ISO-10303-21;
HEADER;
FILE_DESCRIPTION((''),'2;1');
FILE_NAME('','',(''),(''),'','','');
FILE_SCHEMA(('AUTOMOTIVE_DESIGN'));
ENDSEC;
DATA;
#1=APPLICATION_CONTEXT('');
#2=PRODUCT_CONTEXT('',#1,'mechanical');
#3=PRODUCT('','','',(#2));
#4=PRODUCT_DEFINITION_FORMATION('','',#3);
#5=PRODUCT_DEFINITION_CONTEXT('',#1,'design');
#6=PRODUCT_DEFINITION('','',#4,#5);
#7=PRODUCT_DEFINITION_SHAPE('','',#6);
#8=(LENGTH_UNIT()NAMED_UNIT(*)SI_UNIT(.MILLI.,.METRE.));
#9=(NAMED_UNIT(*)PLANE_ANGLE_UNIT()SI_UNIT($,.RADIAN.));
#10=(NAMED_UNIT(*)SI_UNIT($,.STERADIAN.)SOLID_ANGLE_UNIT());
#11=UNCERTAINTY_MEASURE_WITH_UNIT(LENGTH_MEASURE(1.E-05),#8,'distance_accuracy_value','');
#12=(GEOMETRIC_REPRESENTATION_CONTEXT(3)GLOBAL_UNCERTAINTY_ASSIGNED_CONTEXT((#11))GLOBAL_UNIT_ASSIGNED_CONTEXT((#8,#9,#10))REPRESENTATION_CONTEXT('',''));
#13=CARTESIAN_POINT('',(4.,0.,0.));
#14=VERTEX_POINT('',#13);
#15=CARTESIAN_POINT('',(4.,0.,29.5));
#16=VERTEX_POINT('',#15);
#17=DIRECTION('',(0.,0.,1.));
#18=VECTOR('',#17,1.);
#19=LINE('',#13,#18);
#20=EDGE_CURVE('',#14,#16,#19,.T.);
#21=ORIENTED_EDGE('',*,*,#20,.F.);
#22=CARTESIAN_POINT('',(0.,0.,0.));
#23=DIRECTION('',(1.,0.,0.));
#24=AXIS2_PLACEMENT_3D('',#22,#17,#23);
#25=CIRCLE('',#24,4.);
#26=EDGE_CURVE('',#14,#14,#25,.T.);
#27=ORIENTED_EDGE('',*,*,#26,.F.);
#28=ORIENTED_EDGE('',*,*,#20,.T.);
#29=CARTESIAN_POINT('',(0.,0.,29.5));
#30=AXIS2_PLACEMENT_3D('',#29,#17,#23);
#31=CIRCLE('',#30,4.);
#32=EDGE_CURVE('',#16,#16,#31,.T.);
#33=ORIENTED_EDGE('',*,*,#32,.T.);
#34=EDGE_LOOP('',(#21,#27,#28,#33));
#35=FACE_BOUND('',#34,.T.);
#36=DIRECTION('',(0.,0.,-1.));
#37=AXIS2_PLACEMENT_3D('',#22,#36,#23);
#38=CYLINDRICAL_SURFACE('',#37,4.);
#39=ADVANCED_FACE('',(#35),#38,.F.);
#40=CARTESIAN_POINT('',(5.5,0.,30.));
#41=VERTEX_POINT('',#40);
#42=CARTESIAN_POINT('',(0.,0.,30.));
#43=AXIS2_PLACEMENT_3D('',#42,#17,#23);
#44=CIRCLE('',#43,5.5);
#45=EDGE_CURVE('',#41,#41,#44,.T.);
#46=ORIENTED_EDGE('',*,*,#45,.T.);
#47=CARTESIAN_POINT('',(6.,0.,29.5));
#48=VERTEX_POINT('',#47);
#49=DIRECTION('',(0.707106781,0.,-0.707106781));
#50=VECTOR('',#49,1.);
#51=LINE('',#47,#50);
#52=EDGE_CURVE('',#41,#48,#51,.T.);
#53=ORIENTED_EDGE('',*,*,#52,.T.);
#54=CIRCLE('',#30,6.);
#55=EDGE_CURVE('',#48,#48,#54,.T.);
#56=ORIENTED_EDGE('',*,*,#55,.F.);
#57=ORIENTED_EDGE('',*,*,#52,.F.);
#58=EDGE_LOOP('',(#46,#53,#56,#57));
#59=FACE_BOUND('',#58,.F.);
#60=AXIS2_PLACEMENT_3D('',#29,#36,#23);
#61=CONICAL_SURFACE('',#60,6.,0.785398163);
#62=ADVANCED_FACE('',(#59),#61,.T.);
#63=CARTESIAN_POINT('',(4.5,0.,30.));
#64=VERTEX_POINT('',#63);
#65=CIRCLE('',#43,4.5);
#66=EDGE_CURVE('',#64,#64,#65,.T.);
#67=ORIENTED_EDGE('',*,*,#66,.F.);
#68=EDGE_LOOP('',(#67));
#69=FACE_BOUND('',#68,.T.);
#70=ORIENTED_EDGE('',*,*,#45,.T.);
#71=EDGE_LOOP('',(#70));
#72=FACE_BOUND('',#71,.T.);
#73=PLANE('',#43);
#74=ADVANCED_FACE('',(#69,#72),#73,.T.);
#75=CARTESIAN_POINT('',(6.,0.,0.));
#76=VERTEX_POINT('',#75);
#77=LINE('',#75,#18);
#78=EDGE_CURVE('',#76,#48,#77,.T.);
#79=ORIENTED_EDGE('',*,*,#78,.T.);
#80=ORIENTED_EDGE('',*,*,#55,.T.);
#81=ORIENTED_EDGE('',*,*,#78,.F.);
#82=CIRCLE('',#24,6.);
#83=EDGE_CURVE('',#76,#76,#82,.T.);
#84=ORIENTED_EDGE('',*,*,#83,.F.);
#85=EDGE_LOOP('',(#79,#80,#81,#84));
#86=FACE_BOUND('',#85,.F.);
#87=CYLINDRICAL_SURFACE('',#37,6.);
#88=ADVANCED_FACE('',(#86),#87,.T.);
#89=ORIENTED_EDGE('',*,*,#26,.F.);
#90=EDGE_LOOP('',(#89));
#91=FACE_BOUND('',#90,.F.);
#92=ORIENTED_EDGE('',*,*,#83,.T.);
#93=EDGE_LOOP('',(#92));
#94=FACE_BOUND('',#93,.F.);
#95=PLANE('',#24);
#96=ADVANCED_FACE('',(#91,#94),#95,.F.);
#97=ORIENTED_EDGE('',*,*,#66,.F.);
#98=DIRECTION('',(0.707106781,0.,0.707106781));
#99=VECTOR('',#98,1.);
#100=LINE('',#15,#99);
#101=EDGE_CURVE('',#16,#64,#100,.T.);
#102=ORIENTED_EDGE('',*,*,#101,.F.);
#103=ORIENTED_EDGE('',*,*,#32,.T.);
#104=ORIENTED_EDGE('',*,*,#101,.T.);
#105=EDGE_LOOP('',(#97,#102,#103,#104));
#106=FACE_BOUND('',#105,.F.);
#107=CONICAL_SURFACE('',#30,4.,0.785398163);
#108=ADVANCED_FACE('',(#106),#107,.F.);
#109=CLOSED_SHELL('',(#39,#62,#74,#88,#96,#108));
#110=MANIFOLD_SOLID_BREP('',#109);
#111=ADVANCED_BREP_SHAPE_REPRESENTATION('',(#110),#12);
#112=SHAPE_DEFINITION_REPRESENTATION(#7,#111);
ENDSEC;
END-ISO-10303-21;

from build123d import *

# Parameters (mm, degrees)
SKETCH_R        = 6
SKETCH_R_2      = 4
PAD_DEPTH       = 30
CHAMFER_SIZE    = 0.5
CHAMFER001_SIZE = 0.5


with BuildPart() as part:
    # Sketch → Pad (new body)
    with BuildSketch(Plane.XY):
        Circle(SKETCH_R)
        Circle(SKETCH_R_2, mode=Mode.SUBTRACT)
    extrude(amount=PAD_DEPTH)

    # Chamfer
    chamfer_edges = [part.edges().sort_by_distance(p)[0] for p in [
        (-4, 0, 30),
    ]]
    chamfer(chamfer_edges, length=CHAMFER_SIZE)

    # Chamfer001
    chamfer001_edges = [part.edges().sort_by_distance(p)[0] for p in [
        (-6, 0, 30),
    ]]
    chamfer(chamfer001_edges, length=CHAMFER001_SIZE)


solid = part.part
